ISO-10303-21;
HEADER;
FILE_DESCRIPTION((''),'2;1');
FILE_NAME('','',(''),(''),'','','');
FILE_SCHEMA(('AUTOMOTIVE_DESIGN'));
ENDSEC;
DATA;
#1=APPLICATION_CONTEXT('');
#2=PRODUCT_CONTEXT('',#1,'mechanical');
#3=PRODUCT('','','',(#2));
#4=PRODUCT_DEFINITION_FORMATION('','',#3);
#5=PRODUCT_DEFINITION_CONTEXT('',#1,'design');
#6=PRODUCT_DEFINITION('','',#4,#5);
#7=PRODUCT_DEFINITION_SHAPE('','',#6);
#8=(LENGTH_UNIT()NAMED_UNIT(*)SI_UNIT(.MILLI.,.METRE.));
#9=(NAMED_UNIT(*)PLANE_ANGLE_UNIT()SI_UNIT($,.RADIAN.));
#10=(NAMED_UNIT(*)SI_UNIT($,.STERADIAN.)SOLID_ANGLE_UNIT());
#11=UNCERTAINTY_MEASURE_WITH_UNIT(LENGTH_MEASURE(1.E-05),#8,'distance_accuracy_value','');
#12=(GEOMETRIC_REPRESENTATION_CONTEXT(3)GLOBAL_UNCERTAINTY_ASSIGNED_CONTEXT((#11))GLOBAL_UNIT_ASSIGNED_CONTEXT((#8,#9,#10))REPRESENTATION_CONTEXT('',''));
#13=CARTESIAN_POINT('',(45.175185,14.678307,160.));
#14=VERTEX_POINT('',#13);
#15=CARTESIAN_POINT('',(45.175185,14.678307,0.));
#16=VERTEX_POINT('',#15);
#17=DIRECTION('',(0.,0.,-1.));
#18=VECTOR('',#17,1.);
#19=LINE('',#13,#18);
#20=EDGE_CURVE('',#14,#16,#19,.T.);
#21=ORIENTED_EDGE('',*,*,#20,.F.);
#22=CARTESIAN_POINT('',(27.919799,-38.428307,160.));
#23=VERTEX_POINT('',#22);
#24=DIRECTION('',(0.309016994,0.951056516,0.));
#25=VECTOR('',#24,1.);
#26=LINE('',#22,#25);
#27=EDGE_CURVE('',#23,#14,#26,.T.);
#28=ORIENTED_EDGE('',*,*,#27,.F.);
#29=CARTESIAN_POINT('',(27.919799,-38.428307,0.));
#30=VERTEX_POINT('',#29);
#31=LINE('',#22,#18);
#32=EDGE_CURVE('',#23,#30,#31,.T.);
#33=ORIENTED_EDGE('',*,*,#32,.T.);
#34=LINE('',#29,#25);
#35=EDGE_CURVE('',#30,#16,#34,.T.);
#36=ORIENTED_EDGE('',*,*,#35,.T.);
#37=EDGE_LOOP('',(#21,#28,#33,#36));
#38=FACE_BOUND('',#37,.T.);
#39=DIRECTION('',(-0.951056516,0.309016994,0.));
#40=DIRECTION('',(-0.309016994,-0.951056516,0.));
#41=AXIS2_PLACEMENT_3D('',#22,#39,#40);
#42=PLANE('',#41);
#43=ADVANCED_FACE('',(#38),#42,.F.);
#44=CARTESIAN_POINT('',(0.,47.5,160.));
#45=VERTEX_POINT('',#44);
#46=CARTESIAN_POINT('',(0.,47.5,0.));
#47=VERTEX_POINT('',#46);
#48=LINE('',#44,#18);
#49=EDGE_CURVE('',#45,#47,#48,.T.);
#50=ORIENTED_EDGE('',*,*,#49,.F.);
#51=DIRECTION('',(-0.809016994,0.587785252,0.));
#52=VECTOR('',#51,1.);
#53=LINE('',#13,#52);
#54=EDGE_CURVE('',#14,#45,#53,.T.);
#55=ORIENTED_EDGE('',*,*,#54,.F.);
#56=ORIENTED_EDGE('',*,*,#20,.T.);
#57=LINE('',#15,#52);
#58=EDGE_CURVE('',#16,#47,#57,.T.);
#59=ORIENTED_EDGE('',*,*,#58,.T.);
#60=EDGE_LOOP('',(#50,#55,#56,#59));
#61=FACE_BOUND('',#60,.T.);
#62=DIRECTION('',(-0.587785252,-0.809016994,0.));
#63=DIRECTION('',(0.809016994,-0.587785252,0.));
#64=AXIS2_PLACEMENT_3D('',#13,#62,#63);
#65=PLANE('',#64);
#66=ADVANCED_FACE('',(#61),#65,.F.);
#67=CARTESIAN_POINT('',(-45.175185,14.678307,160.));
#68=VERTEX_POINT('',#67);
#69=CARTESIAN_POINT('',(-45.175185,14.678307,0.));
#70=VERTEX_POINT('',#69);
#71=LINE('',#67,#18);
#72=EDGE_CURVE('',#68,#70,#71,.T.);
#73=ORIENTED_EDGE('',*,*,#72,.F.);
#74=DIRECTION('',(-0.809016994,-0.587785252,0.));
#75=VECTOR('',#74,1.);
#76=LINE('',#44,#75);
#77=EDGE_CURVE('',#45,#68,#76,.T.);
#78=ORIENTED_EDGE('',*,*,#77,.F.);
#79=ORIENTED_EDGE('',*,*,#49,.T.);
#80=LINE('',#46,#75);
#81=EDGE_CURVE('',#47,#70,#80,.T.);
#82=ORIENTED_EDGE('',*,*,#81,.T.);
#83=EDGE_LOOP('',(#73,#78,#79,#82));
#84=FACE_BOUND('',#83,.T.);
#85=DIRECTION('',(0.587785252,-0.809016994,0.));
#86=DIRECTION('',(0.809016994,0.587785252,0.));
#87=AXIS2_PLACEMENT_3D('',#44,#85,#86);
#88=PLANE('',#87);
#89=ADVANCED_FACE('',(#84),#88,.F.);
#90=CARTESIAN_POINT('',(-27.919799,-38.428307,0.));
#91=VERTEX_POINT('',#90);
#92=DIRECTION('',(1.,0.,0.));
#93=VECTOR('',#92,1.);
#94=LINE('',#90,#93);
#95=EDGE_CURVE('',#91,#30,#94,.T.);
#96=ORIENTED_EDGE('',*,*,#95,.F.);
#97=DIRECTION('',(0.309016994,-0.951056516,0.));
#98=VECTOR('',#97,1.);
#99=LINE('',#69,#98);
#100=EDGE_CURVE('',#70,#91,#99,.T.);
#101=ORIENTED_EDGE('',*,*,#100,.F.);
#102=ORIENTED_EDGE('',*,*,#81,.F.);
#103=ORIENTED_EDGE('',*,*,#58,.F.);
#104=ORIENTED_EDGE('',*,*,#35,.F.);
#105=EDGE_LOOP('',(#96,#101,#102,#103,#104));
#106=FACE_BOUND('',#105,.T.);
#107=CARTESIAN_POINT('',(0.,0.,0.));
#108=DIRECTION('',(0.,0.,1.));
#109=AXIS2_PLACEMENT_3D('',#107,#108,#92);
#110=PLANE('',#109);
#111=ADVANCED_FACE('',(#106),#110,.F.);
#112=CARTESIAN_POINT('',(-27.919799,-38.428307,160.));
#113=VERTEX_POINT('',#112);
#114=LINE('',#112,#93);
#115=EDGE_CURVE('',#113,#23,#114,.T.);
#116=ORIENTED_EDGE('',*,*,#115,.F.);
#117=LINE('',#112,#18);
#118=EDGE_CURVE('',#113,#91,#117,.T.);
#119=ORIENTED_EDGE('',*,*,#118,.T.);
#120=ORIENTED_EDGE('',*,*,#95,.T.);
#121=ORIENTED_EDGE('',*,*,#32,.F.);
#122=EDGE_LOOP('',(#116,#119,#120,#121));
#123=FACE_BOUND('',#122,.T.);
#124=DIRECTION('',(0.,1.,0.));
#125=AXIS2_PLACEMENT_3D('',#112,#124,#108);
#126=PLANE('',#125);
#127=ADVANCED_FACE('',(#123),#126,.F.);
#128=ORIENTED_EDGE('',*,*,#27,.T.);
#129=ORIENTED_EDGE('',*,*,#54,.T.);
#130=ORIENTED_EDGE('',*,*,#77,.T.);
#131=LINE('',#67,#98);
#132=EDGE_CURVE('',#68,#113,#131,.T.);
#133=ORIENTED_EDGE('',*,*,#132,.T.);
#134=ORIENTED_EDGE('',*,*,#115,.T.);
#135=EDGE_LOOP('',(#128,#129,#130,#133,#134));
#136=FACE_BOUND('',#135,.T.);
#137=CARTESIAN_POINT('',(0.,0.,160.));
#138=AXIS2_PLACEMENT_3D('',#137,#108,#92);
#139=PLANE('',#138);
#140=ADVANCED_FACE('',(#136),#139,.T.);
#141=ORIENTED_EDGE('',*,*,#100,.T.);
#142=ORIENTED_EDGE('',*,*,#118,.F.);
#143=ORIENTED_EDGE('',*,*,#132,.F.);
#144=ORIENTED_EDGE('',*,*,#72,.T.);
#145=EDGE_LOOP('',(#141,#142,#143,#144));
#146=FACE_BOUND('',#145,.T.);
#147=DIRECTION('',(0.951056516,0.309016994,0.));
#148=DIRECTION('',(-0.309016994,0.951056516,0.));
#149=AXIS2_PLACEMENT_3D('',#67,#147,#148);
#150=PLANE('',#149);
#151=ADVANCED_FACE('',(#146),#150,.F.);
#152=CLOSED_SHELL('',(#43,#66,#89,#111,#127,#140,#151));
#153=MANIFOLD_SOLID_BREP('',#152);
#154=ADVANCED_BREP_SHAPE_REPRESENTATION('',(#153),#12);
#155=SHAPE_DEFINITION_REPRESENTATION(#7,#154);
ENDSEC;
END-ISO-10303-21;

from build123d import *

# Parameters (mm, degrees)
ESTRUSIONE_ESTRUSIONE1_DEPTH = 160


with BuildPart() as part:
    # Schizzo1 → Estrusione-Estrusione1 (new body)
    with BuildSketch(Plane.XY):
        Polygon((27.919799484, -38.428307233), (45.175184524, 14.678307233), (0, 47.5), (-45.175184524, 14.678307233), (-27.919799484, -38.428307233), align=None)
    extrude(amount=ESTRUSIONE_ESTRUSIONE1_DEPTH)


solid = part.part
